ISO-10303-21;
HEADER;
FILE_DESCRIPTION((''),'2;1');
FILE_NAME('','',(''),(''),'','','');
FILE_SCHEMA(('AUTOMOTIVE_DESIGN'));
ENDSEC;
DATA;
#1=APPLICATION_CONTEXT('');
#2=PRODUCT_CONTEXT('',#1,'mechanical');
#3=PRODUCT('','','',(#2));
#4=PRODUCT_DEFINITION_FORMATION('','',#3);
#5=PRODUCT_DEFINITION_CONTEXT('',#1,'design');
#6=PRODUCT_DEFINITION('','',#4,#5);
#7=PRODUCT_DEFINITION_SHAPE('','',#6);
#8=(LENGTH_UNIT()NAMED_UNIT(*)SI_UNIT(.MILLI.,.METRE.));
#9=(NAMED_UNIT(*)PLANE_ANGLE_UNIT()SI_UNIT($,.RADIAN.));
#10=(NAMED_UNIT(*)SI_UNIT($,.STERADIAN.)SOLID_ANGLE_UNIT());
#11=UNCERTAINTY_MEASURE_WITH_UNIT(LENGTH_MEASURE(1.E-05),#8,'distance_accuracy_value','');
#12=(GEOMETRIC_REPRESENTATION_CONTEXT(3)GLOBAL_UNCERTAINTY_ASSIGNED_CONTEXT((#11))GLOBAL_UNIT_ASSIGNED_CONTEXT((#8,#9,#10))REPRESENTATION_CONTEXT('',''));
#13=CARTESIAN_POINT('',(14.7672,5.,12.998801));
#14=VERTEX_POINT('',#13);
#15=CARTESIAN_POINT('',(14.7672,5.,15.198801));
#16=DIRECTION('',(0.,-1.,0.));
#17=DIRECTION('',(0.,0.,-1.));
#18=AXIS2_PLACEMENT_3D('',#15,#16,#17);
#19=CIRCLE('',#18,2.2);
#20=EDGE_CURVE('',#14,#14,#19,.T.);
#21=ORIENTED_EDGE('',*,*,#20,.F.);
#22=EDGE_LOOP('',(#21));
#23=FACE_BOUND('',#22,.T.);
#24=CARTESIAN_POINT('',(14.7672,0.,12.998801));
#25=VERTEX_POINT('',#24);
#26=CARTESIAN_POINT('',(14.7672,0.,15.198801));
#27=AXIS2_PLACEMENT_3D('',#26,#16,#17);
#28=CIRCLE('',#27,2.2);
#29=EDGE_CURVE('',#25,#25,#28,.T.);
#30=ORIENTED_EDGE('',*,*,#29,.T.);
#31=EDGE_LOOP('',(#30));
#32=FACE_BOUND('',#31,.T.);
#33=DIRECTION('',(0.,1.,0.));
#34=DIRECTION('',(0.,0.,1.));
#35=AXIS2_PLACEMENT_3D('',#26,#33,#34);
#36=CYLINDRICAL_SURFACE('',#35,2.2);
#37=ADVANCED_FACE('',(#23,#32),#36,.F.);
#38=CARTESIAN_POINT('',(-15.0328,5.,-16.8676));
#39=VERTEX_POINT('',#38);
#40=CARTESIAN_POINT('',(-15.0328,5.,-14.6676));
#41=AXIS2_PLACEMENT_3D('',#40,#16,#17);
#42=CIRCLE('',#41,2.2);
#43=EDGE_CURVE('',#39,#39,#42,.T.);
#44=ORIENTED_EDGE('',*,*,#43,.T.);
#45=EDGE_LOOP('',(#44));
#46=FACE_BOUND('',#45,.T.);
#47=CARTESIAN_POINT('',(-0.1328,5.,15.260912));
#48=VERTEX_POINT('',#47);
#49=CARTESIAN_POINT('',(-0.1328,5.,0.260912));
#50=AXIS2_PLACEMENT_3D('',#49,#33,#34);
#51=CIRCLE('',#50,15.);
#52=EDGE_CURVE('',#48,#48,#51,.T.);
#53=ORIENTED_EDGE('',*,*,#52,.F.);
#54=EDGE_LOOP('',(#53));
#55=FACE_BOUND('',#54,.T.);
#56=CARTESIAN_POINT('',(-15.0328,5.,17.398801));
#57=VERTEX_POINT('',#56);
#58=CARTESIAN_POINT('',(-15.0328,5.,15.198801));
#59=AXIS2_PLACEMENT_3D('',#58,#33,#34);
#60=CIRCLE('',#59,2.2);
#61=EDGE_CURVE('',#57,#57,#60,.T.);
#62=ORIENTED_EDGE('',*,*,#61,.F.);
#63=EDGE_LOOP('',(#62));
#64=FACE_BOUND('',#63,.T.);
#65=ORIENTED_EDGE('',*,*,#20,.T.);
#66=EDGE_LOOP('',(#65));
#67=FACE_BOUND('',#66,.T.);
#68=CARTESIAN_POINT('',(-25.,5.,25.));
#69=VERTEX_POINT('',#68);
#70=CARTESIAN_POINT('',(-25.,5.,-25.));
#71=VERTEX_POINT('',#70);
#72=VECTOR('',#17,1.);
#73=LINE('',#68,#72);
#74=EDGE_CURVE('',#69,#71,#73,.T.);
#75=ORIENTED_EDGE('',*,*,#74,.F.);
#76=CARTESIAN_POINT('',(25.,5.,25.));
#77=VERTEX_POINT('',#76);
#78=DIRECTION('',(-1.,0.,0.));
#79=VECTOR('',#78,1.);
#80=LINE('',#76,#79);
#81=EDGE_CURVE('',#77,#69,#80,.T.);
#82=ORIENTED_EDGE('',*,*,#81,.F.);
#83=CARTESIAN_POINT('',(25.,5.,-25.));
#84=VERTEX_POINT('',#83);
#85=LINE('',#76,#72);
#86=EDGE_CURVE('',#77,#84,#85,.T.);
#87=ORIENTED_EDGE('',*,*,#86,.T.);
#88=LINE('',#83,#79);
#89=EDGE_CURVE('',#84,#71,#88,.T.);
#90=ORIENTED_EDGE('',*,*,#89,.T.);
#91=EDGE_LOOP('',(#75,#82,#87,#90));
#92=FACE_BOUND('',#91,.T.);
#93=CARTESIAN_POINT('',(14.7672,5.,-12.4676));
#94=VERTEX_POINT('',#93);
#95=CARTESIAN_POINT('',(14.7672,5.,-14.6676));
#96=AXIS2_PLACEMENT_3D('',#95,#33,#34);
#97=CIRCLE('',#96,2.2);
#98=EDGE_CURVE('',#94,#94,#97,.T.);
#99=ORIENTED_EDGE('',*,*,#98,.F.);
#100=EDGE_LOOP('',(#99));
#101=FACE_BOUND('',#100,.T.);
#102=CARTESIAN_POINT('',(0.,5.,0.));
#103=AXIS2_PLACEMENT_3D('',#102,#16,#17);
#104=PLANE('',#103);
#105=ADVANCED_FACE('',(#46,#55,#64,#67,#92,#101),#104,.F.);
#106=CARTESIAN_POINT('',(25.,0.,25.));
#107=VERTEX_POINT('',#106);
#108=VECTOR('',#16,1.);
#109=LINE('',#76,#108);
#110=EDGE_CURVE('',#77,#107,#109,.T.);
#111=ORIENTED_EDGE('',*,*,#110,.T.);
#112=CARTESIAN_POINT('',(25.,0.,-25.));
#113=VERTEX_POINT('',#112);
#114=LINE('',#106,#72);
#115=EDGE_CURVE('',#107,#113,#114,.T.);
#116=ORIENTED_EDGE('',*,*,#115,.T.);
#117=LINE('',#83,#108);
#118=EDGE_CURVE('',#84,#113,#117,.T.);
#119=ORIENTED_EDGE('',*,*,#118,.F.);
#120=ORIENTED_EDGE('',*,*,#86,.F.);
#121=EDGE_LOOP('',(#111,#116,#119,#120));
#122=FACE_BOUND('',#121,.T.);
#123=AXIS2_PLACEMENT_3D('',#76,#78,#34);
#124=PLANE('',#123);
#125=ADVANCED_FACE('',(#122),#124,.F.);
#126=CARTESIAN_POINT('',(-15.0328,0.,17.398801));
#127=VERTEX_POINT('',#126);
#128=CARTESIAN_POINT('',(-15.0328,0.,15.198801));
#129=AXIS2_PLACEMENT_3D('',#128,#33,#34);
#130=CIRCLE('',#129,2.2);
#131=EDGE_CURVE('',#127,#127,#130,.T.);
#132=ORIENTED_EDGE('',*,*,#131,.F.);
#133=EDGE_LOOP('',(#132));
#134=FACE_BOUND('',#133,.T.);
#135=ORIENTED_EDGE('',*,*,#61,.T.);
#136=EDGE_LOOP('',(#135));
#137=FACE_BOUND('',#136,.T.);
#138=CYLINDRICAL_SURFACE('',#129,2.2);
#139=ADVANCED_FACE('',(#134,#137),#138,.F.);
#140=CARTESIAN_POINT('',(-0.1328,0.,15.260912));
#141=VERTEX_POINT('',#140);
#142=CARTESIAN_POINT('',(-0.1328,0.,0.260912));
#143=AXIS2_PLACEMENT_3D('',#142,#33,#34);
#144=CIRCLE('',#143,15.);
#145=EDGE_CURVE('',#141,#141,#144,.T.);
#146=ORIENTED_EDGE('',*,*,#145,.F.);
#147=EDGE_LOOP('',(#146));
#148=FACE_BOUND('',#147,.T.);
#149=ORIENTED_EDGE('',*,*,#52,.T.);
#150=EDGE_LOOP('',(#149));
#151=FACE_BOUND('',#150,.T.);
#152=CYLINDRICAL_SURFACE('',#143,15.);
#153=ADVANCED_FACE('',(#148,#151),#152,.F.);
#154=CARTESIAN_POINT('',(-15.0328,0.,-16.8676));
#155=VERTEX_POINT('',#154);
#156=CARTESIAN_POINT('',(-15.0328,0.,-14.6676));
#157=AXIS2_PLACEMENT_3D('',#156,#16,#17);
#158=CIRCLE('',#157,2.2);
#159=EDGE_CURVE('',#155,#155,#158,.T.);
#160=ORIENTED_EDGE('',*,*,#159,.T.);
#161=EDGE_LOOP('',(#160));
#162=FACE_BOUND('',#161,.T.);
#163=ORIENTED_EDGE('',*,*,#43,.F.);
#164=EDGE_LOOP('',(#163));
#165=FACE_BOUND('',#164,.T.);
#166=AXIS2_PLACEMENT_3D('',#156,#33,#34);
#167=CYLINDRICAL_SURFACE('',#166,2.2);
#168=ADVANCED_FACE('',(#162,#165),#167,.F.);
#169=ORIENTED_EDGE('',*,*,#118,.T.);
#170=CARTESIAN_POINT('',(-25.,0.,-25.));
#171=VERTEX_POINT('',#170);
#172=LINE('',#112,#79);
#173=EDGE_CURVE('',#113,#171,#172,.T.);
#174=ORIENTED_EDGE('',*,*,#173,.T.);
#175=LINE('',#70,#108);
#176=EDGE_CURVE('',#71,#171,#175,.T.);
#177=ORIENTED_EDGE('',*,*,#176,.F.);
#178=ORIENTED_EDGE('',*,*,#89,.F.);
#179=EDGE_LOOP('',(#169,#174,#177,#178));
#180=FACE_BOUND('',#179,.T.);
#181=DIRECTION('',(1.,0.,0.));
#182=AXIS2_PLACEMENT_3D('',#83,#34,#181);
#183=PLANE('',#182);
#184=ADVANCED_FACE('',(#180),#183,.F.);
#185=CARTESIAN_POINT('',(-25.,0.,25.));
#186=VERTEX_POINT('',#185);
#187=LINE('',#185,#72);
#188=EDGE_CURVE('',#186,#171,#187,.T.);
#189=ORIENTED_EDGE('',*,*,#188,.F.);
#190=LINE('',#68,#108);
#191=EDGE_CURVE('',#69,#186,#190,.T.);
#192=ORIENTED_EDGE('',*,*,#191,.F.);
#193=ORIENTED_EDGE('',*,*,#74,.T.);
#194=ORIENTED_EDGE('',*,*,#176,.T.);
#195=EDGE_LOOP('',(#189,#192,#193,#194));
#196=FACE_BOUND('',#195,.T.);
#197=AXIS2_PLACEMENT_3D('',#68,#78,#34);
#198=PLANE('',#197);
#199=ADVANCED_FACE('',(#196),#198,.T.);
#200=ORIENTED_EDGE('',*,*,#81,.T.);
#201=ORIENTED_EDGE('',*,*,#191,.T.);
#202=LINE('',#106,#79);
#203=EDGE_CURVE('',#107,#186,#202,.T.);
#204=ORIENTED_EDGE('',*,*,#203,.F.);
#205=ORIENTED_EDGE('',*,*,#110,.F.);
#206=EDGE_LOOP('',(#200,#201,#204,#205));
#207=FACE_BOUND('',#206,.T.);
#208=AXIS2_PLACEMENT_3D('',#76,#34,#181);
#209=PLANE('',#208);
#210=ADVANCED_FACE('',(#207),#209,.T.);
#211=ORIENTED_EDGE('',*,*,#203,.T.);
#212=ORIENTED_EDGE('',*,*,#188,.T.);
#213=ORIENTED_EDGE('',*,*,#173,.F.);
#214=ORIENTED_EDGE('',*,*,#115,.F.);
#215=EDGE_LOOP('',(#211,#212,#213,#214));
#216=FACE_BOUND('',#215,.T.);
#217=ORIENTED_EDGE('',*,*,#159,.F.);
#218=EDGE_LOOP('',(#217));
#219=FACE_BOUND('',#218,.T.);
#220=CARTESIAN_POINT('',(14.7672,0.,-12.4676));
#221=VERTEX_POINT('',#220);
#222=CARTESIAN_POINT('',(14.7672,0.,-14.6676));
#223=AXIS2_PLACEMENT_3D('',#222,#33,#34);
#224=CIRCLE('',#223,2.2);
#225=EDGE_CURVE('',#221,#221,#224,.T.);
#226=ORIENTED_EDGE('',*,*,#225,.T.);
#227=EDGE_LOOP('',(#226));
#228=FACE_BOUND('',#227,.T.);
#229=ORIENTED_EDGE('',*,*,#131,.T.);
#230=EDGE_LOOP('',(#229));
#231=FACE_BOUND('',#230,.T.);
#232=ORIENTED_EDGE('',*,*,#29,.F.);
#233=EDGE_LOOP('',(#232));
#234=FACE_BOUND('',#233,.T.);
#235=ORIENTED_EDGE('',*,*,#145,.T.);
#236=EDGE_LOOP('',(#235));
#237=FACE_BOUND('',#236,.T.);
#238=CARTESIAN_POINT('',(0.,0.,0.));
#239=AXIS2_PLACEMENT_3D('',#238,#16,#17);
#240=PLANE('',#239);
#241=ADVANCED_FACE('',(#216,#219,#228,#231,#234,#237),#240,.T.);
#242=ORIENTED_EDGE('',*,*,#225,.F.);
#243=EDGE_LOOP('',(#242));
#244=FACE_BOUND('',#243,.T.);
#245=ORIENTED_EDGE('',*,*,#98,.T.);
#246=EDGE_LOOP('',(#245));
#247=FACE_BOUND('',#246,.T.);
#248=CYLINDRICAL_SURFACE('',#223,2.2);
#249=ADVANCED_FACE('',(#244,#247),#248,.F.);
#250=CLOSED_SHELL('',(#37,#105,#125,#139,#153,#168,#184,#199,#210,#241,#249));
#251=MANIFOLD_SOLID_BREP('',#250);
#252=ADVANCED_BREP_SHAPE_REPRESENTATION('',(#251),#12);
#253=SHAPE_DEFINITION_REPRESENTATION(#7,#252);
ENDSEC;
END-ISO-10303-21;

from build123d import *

# Parameters (mm, degrees)
CROQUIS1_W              = 50
CROQUIS1_H              = 50
SALIENTE_EXTRUIR1_DEPTH = 5
CROQUIS2_R              = 15
CROQUIS2_R_2            = 2.2
CORTAR_EXTRUIR1_DEPTH   = 5


with BuildPart() as part:
    # Croquis1 → Saliente-Extruir1 (new body)
    with BuildSketch(Plane(origin=(0, 0, 0), x_dir=(1, 0, 0), z_dir=(0, 1, 0))):
        Rectangle(CROQUIS1_W, CROQUIS1_H)
    extrude(amount=SALIENTE_EXTRUIR1_DEPTH)

    # Croquis2 → Cortar-Extruir1 (cut)
    with BuildSketch(Plane(origin=(0, 5, 0), x_dir=(1, 0, 0), z_dir=(0, 1, 0))):
        with Locations(Location((-0.132800223, -0.260912255, 0), (0, 0, 270))):
            Circle(CROQUIS2_R)
        with Locations(Location((14.767199777, 14.667599609, 0), (0, 0, 270))):
            Circle(CROQUIS2_R_2)
        with Locations(Location((-15.032800223, -15.198800503, 0), (0, 0, 270))):
            Circle(CROQUIS2_R_2)
        with Locations(Location((-15.032800223, 14.667599609, 0), (0, 0, 90))):
            Circle(CROQUIS2_R_2)
        with Locations(Location((14.767199777, -15.198800503, 0), (0, 0, 90))):
            Circle(CROQUIS2_R_2)
    extrude(amount=-CORTAR_EXTRUIR1_DEPTH, mode=Mode.SUBTRACT)


solid = part.part
